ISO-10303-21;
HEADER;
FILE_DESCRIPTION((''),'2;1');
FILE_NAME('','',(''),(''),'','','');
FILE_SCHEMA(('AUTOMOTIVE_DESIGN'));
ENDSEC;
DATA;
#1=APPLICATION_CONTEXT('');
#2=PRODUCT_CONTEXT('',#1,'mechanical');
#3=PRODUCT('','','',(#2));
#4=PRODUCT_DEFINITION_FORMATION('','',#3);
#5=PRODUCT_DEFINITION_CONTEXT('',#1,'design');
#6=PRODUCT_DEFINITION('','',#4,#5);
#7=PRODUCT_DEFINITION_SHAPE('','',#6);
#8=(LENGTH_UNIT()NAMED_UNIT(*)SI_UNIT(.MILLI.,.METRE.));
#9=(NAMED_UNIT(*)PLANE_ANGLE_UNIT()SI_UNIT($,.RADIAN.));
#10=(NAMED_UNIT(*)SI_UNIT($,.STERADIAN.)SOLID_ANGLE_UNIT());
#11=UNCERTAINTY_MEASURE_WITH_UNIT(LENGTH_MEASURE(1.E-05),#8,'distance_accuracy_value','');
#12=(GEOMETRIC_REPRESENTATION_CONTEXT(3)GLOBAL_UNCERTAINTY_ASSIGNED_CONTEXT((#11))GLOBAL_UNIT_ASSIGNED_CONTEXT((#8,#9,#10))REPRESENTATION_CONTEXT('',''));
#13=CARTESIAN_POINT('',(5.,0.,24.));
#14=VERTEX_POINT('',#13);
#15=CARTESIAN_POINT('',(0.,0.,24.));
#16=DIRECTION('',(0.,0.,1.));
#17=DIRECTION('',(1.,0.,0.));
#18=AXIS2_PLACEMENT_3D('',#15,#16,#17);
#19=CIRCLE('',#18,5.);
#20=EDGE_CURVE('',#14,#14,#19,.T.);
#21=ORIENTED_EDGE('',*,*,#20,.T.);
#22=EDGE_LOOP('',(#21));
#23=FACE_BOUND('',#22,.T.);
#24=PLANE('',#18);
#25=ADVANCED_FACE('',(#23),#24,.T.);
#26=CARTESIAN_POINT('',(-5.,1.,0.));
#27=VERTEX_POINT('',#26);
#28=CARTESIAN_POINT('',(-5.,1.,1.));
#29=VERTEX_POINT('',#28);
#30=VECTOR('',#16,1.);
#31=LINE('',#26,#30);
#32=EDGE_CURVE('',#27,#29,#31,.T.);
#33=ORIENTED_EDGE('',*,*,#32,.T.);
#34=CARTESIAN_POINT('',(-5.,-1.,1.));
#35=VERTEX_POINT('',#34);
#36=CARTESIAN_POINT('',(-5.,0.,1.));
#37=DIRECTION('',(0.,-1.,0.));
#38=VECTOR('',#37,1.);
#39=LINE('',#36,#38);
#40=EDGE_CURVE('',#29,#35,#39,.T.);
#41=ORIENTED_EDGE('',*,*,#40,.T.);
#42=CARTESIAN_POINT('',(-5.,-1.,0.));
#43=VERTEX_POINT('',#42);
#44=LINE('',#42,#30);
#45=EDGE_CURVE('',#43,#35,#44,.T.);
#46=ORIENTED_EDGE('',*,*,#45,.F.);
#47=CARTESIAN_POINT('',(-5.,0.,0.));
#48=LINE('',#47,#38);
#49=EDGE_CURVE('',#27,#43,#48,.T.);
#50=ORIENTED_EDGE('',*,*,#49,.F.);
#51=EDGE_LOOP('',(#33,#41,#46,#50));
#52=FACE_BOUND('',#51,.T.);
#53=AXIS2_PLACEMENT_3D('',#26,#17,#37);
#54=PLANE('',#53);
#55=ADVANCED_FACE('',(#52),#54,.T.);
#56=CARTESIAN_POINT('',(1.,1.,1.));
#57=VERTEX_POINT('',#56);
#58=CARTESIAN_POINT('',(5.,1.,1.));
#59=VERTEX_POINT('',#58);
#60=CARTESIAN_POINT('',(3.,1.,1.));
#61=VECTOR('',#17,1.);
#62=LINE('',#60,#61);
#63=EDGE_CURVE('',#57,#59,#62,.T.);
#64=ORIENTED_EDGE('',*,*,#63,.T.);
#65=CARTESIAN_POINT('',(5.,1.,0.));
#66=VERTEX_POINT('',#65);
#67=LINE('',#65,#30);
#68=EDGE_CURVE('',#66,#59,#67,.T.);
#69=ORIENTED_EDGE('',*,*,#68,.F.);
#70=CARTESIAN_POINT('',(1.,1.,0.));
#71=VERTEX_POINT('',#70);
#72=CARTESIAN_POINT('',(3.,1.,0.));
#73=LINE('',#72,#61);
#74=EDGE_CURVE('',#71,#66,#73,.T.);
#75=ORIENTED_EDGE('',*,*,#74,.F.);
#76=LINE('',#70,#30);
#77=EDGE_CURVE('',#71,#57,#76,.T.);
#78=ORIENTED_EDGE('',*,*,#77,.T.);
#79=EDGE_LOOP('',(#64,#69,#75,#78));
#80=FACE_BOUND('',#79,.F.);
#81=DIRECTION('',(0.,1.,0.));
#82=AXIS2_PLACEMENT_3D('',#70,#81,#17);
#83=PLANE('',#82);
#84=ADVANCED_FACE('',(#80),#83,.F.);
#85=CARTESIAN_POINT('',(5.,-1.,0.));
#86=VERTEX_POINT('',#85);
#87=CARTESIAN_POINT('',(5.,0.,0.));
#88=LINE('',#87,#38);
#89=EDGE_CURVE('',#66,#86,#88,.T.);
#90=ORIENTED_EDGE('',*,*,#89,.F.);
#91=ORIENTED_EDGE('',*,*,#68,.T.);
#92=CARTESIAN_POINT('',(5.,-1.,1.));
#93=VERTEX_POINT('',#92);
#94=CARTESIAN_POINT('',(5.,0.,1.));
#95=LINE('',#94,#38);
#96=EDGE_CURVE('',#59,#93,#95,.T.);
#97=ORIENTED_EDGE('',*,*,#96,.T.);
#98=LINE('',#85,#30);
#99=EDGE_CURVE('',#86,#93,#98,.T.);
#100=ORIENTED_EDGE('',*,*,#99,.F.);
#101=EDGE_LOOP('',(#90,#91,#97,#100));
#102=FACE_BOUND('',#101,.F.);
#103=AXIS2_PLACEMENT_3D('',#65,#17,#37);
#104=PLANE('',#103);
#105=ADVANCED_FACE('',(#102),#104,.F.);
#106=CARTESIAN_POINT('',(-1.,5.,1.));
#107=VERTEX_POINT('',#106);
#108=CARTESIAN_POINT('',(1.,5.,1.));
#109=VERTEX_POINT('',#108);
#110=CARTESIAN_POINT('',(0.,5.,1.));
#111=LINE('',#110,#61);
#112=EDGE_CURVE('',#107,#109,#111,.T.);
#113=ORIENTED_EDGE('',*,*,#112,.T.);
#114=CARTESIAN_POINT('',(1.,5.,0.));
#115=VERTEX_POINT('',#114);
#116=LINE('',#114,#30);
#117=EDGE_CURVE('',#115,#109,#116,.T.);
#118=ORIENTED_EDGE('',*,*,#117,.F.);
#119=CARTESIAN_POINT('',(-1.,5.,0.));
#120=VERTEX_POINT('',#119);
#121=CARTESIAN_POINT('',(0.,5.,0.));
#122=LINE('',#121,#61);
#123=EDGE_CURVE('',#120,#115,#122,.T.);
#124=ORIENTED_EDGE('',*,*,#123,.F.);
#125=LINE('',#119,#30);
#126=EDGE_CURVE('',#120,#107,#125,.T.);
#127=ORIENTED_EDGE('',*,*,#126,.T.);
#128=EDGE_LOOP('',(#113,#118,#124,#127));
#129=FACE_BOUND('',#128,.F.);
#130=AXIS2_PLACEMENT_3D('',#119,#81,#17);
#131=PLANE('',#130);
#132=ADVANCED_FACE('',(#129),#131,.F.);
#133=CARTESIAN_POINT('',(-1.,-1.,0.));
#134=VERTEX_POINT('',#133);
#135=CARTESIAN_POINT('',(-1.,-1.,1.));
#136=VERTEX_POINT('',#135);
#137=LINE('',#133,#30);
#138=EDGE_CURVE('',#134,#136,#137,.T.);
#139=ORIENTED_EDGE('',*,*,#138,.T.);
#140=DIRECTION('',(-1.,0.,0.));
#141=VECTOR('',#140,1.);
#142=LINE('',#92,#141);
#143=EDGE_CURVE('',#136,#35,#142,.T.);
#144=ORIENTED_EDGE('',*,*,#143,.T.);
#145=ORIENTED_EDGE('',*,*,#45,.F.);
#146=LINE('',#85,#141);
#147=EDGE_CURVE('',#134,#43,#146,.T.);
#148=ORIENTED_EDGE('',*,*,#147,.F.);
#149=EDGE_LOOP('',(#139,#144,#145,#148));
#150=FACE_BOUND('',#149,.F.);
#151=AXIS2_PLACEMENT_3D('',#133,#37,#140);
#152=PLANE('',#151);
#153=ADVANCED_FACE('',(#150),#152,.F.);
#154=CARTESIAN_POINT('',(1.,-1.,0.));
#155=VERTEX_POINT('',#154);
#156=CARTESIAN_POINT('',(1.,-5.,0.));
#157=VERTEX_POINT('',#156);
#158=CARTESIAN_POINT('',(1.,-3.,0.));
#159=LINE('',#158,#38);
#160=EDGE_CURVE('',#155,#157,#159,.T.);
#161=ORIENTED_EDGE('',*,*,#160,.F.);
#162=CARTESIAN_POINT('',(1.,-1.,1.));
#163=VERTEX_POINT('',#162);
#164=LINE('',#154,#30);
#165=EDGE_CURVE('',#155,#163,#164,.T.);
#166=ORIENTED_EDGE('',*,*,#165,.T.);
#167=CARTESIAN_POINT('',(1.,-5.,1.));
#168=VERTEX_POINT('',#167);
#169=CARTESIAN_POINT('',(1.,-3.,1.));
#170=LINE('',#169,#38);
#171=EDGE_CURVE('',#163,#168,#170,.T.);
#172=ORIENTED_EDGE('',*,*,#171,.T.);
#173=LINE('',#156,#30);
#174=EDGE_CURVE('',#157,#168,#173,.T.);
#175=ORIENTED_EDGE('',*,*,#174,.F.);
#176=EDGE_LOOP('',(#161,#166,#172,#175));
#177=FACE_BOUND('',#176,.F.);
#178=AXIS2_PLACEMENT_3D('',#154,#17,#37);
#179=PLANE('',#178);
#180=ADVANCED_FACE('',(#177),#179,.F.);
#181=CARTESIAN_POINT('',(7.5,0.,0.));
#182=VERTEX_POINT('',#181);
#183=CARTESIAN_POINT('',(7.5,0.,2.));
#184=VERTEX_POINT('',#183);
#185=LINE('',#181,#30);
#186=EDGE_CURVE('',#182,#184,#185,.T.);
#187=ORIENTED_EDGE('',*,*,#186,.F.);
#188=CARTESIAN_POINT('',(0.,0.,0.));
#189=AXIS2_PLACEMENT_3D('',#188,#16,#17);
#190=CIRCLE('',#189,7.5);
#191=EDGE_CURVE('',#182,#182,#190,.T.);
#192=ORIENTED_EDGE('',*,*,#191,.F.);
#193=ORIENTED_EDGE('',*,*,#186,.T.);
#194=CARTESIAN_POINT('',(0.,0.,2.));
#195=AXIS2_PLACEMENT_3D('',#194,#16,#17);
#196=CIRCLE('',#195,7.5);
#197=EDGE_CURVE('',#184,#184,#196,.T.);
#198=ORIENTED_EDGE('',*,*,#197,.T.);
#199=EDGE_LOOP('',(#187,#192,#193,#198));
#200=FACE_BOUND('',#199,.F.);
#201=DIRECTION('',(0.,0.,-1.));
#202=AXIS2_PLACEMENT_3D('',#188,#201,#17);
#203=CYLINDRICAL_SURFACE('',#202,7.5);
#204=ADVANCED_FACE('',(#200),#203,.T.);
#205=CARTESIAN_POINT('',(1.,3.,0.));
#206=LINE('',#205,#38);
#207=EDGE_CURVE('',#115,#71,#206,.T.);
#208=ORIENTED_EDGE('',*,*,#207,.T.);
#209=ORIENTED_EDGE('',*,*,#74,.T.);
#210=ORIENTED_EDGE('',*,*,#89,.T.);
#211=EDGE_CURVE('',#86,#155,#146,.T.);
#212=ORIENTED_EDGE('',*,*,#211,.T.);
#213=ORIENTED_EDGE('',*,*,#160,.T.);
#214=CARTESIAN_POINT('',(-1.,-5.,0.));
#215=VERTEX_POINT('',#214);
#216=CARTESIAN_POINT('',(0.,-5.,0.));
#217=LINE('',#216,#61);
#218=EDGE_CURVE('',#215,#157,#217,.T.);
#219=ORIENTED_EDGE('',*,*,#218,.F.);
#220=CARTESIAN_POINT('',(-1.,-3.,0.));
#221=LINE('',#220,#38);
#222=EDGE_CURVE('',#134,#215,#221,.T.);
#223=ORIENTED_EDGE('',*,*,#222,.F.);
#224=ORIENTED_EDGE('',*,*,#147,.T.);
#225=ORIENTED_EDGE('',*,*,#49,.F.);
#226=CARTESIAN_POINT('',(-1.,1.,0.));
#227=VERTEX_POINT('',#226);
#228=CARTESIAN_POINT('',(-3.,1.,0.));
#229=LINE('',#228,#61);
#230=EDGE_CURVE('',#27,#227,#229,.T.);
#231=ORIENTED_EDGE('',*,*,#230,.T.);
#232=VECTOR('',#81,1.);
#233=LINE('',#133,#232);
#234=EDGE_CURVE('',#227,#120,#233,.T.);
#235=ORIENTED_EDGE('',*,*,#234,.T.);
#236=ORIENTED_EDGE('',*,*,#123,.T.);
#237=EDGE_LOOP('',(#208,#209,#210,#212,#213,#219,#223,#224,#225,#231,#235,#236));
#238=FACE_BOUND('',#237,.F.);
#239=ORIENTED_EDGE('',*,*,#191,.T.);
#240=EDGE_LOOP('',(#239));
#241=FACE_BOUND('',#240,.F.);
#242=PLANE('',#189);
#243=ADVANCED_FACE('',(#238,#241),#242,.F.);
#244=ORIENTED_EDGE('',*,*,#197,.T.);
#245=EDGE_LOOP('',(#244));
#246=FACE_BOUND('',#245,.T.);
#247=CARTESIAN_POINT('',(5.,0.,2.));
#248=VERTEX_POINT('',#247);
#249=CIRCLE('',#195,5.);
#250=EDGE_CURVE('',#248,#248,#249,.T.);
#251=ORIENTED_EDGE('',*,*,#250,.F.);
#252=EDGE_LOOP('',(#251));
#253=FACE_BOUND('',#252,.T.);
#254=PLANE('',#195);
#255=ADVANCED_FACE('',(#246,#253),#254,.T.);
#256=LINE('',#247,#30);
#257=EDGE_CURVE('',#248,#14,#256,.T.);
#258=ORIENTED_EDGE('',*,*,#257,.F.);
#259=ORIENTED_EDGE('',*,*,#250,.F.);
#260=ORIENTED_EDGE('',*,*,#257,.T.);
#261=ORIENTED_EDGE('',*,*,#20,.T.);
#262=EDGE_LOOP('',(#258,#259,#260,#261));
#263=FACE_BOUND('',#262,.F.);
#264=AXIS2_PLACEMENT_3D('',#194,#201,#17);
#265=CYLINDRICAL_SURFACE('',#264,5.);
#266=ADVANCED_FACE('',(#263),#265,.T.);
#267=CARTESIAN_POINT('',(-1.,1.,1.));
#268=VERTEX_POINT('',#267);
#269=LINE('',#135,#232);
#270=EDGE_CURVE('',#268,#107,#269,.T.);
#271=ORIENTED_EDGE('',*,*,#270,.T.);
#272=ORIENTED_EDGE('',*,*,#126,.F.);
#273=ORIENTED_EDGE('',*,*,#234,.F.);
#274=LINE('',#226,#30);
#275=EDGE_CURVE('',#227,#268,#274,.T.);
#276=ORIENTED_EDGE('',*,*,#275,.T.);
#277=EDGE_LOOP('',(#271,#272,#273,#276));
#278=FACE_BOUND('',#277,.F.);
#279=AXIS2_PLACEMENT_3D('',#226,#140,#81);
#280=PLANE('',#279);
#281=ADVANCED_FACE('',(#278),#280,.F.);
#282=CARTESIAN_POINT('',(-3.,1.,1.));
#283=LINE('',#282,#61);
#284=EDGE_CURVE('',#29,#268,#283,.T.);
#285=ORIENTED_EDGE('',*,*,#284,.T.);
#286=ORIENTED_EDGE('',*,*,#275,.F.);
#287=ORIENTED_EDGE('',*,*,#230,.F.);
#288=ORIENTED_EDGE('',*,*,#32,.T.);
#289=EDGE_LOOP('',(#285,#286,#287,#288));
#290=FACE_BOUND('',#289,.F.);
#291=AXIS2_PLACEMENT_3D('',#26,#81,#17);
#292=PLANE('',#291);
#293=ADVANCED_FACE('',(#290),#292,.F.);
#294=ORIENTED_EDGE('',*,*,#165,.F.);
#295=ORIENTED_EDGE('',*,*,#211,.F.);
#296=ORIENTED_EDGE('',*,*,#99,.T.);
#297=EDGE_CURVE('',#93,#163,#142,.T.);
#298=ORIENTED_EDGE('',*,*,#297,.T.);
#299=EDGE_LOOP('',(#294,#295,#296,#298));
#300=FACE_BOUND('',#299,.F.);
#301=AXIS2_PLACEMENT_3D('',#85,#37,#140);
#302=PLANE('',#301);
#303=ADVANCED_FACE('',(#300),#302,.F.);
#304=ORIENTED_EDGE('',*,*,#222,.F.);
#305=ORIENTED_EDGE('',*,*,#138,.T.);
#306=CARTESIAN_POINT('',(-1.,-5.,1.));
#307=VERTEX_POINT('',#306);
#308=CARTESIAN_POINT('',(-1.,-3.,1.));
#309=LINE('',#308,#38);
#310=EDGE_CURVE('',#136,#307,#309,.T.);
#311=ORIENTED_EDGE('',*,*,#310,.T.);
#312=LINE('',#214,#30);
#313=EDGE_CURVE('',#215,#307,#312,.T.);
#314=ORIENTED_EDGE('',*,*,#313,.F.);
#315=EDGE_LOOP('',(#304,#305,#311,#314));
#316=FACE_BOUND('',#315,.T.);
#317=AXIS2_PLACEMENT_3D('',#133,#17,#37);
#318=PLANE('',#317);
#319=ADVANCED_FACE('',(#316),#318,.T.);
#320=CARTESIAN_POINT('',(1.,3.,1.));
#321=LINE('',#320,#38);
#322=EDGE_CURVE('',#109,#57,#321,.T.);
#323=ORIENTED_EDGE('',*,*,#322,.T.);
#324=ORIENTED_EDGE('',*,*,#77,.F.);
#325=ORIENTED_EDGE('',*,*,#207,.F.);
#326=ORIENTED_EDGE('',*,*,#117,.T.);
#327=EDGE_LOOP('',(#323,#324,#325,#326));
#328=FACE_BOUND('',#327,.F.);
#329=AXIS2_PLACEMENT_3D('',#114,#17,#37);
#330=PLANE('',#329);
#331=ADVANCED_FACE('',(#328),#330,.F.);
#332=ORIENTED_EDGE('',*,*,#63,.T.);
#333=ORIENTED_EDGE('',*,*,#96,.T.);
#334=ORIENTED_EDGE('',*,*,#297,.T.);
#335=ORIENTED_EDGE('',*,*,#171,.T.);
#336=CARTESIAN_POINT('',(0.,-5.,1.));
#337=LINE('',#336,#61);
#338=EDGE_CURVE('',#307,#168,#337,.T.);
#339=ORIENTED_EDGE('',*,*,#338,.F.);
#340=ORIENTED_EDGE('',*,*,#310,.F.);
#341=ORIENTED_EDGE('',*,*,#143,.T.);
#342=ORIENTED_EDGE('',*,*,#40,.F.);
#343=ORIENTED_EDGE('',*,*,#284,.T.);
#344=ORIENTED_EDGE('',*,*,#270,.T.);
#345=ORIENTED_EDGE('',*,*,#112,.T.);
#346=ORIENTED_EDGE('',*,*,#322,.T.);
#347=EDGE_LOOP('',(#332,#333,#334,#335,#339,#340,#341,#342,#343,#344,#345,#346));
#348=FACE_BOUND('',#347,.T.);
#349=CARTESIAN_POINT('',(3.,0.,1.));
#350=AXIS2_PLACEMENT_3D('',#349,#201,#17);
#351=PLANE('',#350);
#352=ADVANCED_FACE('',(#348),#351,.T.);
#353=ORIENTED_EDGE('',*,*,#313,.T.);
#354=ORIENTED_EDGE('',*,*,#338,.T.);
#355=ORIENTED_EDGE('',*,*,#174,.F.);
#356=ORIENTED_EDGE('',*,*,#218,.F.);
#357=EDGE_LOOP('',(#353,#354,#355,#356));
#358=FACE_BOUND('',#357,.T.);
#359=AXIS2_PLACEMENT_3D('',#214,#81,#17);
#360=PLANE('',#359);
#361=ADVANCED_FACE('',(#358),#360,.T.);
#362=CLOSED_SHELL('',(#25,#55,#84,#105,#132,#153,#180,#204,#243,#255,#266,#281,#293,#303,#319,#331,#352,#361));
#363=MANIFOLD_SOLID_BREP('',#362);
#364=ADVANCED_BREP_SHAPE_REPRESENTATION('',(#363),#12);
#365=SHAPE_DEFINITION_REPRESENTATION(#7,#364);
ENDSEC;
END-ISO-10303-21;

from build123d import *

# Parameters (mm, degrees)
F0_R     = 7.5
F1_DEPTH = 2
F2_R     = 5
F3_DEPTH = 22
F4_W     = 4
F4_H     = 2
F4_W_2   = 2
F4_H_2   = 4
F5_DEPTH = 1


with BuildPart() as f1:
    # F0 (on Top) → F1 (new body)
    with BuildSketch(Plane.XY):
        Circle(F0_R)
    extrude(amount=F1_DEPTH)

    # F2 (on face) → F3 (join)
    with BuildSketch(Plane.XY.offset(2)):
        Circle(F2_R)
    extrude(amount=F3_DEPTH)

    # F4 (on face) → F5 (cut)
    with BuildSketch(Plane(origin=(0, 0, 0), x_dir=(1, 0, 0), z_dir=(0, 0, -1))):
        with Locations((3, 0)):
            Rectangle(F4_W, F4_H)
        with Locations((0, -3)):
            Rectangle(F4_W_2, F4_H_2)
        Rectangle(F4_W_2, F4_H)
        with Locations((-3, 0)):
            Rectangle(F4_W, F4_H)
        with Locations((0, 3)):
            Rectangle(F4_W_2, F4_H_2)
    extrude(amount=-F5_DEPTH, mode=Mode.SUBTRACT)


solid = f1.part
